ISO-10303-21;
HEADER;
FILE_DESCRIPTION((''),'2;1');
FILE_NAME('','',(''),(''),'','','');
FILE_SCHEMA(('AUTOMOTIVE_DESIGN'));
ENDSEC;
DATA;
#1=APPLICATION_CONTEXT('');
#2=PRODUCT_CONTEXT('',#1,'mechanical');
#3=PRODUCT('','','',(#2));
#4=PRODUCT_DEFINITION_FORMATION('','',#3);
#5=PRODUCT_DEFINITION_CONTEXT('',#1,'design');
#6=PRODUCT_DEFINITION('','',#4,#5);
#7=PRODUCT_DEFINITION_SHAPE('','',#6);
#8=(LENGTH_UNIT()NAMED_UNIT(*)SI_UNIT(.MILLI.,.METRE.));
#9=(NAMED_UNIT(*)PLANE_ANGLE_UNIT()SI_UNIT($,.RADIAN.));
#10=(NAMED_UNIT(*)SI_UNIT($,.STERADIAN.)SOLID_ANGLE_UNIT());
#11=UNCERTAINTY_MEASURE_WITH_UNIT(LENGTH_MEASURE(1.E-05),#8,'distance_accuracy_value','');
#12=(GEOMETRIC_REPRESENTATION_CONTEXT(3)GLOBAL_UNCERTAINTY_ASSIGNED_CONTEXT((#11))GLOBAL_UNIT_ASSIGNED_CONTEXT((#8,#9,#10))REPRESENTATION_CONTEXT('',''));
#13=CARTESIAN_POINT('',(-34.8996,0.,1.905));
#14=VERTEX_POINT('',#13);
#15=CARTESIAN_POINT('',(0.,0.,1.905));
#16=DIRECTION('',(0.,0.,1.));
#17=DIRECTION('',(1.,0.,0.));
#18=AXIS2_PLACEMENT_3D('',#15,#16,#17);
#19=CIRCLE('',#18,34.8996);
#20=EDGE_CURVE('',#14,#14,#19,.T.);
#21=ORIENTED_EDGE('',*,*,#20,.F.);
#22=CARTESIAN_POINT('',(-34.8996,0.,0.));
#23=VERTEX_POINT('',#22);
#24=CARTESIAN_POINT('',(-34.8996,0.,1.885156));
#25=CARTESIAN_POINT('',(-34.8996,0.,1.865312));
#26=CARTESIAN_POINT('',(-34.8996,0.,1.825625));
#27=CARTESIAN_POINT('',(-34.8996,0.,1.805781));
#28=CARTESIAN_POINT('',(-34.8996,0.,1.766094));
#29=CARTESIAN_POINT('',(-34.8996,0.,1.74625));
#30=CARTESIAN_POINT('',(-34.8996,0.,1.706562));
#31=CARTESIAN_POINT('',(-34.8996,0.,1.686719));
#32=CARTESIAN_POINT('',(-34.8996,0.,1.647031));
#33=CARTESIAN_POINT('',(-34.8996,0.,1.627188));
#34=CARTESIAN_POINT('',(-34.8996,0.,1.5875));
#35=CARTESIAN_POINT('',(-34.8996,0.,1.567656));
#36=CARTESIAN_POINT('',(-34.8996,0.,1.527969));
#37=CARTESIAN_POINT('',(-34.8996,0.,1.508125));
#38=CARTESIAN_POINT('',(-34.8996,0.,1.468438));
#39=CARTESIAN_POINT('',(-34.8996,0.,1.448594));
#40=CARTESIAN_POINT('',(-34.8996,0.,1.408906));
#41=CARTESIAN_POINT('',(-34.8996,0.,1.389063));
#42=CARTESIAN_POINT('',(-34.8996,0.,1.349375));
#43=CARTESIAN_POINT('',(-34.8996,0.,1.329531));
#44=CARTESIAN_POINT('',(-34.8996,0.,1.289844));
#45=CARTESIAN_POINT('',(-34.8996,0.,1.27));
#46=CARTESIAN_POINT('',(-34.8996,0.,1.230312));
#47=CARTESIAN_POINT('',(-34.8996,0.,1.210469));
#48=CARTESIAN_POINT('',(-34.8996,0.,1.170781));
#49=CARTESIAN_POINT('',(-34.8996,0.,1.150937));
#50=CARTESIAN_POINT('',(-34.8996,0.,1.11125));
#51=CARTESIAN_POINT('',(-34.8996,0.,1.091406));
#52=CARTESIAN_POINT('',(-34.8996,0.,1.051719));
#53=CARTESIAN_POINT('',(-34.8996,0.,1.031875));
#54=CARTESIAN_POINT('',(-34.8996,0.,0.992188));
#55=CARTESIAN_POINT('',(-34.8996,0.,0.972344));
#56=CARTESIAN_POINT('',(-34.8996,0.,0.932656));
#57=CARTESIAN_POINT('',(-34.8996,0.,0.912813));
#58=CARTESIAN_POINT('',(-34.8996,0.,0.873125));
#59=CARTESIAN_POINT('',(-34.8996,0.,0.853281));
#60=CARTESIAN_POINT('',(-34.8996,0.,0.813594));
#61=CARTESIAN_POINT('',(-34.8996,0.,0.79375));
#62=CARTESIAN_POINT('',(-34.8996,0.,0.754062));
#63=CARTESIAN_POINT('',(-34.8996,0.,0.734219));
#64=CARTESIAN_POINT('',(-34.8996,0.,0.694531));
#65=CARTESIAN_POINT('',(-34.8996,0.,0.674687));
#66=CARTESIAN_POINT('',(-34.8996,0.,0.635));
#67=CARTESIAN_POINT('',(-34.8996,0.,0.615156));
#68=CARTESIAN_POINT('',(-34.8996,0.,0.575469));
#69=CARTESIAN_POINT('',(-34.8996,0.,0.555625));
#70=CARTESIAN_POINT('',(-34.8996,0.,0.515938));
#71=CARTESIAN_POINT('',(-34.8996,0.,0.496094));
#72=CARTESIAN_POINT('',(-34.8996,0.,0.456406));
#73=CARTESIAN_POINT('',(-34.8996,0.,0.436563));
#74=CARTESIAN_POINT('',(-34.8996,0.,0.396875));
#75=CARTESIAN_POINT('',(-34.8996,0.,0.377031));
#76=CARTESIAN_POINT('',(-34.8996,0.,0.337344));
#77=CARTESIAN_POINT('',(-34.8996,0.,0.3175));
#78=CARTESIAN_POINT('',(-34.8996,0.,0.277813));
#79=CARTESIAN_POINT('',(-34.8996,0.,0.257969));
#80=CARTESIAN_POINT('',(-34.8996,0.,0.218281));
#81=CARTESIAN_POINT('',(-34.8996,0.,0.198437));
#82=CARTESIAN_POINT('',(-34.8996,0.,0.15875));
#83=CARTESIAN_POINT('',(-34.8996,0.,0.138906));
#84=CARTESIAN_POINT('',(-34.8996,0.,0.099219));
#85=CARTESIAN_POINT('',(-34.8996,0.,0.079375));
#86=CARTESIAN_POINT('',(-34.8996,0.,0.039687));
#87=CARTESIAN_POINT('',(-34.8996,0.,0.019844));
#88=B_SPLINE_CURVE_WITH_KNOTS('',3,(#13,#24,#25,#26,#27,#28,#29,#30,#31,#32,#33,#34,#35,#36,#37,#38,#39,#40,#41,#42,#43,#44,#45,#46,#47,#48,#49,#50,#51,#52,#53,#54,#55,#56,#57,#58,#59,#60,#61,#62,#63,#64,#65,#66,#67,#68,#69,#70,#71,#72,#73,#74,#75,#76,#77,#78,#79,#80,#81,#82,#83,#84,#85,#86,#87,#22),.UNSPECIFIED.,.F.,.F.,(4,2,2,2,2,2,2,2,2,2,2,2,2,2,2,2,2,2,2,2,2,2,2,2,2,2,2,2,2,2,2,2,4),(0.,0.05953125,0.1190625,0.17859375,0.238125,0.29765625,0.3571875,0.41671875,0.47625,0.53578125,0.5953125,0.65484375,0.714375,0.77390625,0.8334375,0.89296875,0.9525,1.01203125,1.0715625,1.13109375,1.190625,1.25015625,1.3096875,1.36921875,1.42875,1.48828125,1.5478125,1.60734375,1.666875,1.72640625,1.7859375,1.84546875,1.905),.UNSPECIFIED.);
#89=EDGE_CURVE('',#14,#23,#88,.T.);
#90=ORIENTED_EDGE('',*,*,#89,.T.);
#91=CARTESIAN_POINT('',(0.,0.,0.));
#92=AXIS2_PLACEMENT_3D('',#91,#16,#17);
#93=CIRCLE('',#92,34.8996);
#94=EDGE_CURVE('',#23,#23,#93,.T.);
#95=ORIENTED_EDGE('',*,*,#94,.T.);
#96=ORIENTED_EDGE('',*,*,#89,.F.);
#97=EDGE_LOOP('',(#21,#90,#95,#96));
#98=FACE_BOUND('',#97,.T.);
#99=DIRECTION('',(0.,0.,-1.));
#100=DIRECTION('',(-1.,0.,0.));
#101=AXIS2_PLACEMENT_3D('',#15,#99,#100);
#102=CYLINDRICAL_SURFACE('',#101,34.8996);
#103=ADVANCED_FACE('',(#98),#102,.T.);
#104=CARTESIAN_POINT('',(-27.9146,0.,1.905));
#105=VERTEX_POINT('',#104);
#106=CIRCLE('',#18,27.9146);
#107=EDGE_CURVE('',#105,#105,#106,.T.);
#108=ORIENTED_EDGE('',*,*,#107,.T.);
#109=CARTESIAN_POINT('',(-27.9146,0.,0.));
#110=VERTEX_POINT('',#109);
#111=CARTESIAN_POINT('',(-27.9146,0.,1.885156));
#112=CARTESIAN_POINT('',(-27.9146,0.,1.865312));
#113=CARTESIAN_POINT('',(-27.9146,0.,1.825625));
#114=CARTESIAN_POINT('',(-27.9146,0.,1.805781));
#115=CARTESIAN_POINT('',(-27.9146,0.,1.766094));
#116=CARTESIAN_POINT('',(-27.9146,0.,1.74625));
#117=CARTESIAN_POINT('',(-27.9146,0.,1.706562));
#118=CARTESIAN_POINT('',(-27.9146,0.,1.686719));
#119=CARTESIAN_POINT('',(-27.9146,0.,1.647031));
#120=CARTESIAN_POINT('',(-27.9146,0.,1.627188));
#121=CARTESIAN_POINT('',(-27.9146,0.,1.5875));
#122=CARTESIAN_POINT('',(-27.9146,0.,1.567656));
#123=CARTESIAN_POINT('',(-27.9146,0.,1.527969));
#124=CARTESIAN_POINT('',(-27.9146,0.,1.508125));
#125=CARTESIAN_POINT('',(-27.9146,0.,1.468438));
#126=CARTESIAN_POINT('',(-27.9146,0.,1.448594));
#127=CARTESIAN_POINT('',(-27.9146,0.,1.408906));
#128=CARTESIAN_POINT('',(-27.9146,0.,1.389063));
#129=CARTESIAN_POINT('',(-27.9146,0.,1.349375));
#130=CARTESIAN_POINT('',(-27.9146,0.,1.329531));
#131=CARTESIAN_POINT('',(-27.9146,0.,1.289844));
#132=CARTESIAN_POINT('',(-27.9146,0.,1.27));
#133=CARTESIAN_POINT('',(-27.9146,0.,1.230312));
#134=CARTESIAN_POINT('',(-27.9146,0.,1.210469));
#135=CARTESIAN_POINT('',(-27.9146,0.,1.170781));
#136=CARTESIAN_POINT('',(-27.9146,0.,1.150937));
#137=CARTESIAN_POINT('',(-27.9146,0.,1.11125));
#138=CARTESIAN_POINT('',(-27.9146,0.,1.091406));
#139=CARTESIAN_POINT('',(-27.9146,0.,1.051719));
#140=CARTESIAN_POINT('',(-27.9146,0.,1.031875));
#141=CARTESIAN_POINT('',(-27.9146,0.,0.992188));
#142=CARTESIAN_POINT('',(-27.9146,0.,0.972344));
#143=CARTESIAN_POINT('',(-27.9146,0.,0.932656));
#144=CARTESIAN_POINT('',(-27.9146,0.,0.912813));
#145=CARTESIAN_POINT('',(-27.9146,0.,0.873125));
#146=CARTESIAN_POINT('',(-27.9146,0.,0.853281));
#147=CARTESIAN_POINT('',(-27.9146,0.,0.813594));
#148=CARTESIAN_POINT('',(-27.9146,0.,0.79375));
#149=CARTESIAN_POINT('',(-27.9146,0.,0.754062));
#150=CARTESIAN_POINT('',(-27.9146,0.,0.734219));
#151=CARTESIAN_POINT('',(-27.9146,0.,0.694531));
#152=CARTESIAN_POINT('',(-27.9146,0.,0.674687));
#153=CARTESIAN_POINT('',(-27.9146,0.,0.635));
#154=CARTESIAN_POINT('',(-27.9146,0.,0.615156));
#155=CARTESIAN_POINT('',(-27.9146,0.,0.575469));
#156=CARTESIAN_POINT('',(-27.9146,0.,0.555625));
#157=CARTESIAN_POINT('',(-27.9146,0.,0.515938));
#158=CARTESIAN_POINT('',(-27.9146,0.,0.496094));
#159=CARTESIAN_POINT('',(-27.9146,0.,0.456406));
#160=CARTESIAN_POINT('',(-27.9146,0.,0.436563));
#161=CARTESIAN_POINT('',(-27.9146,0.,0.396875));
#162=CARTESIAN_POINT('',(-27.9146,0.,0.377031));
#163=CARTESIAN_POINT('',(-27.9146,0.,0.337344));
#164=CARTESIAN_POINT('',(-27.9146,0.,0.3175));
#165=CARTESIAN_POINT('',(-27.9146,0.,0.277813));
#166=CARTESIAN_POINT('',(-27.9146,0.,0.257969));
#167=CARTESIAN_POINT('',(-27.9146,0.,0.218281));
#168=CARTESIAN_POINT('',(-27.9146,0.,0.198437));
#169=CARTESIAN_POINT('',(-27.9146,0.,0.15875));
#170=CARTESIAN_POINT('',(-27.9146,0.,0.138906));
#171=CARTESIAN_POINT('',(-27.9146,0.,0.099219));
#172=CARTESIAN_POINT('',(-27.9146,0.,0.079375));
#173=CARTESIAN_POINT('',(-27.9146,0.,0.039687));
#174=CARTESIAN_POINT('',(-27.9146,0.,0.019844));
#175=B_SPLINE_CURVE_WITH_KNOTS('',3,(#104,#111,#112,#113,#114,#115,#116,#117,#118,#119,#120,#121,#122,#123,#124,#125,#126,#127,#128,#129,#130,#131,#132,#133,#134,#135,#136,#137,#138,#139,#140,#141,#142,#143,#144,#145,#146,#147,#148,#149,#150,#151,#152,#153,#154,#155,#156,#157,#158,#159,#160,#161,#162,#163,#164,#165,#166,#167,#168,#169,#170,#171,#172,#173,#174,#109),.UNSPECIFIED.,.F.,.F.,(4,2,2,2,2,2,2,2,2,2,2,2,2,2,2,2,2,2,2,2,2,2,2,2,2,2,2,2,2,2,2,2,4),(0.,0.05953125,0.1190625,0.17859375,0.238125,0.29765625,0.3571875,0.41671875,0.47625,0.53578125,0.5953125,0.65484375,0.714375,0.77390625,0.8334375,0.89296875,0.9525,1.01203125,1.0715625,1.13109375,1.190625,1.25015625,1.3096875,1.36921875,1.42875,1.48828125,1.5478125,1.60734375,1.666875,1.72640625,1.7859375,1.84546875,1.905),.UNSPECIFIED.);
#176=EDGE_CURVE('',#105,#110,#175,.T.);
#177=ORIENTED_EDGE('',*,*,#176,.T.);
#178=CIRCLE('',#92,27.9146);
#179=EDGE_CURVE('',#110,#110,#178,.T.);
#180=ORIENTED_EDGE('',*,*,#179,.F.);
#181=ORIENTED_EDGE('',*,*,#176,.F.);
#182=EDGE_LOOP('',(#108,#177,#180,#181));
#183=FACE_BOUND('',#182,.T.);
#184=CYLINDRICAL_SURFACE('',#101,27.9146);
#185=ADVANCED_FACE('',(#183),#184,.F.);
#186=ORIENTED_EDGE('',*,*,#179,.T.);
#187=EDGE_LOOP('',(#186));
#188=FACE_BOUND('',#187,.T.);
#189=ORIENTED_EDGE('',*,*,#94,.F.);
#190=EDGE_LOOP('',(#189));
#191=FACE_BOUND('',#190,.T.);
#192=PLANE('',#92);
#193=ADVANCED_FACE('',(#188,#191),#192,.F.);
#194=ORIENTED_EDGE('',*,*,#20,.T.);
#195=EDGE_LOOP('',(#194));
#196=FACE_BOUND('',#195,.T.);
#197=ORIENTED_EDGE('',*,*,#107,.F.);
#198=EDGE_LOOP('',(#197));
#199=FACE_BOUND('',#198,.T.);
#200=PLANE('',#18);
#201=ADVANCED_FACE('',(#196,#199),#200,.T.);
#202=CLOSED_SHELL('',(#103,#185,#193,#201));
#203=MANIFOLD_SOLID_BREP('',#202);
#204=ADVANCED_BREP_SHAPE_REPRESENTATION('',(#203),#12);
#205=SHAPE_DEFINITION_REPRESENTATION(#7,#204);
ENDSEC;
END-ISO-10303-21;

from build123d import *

# Parameters (mm, degrees)
SKETCH1_R           = 34.8996
SKETCH1_R_2         = 27.9146
BOSS_EXTRUDE1_DEPTH = 1.905


with BuildPart() as part:
    # Sketch1 → Boss-Extrude1 (new body)
    with BuildSketch(Plane.XY):
        with Locations(Location((0, 0, 0), (0, 0, 180))):
            Circle(SKETCH1_R)
        with Locations(Location((0, 0, 0), (0, 0, 180))):
            Circle(SKETCH1_R_2, mode=Mode.SUBTRACT)
    extrude(amount=BOSS_EXTRUDE1_DEPTH)


solid = part.part
